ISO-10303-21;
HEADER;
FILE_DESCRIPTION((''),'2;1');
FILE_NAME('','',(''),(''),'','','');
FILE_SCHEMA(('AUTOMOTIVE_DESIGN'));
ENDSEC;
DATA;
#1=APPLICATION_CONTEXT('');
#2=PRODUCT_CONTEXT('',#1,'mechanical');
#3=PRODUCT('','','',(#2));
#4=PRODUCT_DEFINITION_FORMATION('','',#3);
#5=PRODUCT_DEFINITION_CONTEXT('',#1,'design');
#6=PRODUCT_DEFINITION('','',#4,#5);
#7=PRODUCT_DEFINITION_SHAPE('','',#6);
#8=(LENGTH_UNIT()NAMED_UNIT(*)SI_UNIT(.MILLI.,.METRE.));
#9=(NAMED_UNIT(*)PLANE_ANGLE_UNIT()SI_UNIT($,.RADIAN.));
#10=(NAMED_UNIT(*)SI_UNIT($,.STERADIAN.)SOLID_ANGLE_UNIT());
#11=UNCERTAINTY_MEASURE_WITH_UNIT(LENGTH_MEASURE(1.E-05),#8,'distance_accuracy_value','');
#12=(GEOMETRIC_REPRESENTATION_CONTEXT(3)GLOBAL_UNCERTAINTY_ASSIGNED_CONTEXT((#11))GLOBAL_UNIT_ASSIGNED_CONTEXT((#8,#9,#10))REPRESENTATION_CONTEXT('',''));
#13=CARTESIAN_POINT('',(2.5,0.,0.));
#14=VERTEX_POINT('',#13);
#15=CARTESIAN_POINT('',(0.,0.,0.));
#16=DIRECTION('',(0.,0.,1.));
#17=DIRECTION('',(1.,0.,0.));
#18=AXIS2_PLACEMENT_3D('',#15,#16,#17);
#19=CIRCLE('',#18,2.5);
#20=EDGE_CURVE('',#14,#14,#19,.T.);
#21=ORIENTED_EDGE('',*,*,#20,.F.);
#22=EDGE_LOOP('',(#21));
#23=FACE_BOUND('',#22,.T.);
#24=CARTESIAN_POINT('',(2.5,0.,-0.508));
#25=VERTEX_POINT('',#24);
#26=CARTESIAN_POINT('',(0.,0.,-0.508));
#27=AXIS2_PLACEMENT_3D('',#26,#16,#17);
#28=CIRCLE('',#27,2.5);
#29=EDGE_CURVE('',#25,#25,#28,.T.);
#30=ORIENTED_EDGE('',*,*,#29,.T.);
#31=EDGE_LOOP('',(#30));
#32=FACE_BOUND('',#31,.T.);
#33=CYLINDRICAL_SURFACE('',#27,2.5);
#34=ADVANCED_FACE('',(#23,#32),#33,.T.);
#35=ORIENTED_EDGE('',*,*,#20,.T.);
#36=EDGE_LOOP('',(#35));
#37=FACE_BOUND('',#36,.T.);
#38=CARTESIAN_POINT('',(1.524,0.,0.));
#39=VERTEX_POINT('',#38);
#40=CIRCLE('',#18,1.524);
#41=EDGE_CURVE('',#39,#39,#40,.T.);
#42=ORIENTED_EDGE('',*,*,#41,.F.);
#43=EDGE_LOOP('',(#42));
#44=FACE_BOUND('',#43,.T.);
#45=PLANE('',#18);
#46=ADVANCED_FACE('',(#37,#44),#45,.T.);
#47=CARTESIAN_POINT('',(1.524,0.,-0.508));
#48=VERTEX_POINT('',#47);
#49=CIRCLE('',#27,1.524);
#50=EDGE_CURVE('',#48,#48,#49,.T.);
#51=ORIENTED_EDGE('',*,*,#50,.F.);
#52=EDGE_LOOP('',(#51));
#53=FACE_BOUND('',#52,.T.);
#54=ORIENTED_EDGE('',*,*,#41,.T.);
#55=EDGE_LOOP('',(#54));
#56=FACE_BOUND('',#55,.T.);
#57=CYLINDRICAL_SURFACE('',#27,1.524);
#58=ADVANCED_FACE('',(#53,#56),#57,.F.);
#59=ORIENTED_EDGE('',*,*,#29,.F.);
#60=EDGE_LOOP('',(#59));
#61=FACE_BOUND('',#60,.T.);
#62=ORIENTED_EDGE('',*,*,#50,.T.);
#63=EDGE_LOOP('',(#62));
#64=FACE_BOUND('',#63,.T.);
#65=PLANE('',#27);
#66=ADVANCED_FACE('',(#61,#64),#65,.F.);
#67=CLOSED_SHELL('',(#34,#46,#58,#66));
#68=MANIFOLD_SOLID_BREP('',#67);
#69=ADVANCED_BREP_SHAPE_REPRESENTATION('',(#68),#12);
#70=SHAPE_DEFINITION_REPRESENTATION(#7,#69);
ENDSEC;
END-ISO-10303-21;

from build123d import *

# Parameters (mm, degrees)
SKETCH1_R      = 2.5
SKETCH1_R_2    = 1.524
EXTRUDE1_DEPTH = 0.508


with BuildPart() as part:
    # Sketch1 → Extrude1 (new body)
    with BuildSketch(Plane.XY):
        Circle(SKETCH1_R)
        Circle(SKETCH1_R_2, mode=Mode.SUBTRACT)
    extrude(amount=-EXTRUDE1_DEPTH)


solid = part.part
